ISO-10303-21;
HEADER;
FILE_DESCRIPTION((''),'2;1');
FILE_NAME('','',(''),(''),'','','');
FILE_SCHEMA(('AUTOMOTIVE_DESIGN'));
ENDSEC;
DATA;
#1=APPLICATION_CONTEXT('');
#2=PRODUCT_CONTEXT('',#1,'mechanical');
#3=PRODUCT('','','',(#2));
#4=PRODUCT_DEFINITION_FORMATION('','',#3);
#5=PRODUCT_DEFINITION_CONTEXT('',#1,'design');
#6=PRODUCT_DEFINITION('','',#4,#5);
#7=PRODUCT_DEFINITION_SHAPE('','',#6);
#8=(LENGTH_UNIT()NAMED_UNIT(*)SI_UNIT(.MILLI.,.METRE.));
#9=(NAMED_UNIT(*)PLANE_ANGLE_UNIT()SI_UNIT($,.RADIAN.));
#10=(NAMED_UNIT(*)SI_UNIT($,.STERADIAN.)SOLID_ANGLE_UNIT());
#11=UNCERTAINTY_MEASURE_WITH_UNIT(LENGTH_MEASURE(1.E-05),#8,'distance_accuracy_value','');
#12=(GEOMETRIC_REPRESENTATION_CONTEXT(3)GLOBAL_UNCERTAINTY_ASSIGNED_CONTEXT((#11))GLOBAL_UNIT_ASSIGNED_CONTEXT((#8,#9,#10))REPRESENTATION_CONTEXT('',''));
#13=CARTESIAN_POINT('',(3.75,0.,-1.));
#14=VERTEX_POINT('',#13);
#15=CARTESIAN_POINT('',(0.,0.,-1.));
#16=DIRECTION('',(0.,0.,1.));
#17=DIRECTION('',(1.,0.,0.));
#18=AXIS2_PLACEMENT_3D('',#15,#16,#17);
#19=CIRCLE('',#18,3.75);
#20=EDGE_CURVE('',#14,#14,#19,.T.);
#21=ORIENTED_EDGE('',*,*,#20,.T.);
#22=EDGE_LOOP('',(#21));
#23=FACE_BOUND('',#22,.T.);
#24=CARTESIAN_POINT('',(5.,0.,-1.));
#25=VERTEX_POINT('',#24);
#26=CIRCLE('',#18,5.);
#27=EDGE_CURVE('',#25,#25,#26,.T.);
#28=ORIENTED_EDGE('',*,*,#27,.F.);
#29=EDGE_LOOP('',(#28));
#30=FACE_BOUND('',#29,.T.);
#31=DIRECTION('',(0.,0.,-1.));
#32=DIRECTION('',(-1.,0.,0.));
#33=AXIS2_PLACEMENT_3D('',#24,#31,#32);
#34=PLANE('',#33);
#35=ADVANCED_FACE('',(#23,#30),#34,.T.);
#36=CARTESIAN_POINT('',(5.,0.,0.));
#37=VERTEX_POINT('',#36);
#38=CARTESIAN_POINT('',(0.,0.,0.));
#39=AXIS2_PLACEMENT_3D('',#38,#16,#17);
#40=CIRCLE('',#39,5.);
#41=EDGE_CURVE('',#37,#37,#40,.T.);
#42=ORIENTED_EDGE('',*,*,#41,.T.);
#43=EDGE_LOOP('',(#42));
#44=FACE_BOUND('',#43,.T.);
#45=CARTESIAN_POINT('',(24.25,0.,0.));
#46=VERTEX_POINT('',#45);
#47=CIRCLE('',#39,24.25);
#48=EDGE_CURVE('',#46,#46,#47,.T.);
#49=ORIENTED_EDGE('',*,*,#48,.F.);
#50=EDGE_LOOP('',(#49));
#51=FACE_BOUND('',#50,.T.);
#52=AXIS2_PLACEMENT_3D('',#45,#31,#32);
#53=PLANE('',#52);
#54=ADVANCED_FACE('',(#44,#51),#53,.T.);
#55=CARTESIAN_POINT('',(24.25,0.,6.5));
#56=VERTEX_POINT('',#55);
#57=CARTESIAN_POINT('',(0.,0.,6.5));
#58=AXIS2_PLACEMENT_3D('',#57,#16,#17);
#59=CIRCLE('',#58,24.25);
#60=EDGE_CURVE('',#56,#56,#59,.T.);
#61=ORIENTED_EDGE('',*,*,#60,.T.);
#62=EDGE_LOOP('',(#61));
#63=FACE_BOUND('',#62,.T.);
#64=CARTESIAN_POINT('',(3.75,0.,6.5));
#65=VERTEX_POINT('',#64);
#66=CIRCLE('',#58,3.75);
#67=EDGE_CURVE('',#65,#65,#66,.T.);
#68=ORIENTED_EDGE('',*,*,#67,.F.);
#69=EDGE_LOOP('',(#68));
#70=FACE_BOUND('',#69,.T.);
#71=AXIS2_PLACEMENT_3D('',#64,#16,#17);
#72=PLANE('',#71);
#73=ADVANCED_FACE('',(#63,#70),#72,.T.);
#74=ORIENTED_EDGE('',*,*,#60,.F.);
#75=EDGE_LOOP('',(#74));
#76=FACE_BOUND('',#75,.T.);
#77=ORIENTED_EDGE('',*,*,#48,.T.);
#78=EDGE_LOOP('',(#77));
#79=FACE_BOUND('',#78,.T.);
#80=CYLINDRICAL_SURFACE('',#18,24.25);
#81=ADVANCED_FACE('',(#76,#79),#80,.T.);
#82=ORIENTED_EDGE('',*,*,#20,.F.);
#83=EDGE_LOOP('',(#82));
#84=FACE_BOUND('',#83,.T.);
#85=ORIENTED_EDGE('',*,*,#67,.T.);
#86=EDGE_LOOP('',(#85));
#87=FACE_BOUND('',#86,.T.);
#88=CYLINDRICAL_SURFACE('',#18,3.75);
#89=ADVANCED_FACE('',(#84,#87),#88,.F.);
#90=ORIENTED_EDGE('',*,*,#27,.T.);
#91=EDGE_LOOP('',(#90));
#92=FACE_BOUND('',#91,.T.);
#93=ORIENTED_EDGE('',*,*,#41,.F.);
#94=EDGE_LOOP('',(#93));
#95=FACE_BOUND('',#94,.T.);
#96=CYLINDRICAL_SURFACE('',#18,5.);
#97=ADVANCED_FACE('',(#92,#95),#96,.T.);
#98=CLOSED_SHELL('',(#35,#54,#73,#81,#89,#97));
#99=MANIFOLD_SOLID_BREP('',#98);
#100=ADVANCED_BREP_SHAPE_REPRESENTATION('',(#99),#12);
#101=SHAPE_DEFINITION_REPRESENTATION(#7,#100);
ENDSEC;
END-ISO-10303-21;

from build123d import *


with BuildPart() as part:
    # Эскиз1 → Повернуть1 (revolve)
    with BuildSketch(Plane(origin=(0, 0, 0), x_dir=(1, 0, 0), z_dir=(0, 1, 0))):
        Polygon((5, 0), (5, 1), (3.75, 1), (3.75, -6.5), (24.25, -6.5), (24.25, 0), align=None)
    revolve(axis=Axis((0, 0, -1), (0, 0, 1)))


solid = part.part
